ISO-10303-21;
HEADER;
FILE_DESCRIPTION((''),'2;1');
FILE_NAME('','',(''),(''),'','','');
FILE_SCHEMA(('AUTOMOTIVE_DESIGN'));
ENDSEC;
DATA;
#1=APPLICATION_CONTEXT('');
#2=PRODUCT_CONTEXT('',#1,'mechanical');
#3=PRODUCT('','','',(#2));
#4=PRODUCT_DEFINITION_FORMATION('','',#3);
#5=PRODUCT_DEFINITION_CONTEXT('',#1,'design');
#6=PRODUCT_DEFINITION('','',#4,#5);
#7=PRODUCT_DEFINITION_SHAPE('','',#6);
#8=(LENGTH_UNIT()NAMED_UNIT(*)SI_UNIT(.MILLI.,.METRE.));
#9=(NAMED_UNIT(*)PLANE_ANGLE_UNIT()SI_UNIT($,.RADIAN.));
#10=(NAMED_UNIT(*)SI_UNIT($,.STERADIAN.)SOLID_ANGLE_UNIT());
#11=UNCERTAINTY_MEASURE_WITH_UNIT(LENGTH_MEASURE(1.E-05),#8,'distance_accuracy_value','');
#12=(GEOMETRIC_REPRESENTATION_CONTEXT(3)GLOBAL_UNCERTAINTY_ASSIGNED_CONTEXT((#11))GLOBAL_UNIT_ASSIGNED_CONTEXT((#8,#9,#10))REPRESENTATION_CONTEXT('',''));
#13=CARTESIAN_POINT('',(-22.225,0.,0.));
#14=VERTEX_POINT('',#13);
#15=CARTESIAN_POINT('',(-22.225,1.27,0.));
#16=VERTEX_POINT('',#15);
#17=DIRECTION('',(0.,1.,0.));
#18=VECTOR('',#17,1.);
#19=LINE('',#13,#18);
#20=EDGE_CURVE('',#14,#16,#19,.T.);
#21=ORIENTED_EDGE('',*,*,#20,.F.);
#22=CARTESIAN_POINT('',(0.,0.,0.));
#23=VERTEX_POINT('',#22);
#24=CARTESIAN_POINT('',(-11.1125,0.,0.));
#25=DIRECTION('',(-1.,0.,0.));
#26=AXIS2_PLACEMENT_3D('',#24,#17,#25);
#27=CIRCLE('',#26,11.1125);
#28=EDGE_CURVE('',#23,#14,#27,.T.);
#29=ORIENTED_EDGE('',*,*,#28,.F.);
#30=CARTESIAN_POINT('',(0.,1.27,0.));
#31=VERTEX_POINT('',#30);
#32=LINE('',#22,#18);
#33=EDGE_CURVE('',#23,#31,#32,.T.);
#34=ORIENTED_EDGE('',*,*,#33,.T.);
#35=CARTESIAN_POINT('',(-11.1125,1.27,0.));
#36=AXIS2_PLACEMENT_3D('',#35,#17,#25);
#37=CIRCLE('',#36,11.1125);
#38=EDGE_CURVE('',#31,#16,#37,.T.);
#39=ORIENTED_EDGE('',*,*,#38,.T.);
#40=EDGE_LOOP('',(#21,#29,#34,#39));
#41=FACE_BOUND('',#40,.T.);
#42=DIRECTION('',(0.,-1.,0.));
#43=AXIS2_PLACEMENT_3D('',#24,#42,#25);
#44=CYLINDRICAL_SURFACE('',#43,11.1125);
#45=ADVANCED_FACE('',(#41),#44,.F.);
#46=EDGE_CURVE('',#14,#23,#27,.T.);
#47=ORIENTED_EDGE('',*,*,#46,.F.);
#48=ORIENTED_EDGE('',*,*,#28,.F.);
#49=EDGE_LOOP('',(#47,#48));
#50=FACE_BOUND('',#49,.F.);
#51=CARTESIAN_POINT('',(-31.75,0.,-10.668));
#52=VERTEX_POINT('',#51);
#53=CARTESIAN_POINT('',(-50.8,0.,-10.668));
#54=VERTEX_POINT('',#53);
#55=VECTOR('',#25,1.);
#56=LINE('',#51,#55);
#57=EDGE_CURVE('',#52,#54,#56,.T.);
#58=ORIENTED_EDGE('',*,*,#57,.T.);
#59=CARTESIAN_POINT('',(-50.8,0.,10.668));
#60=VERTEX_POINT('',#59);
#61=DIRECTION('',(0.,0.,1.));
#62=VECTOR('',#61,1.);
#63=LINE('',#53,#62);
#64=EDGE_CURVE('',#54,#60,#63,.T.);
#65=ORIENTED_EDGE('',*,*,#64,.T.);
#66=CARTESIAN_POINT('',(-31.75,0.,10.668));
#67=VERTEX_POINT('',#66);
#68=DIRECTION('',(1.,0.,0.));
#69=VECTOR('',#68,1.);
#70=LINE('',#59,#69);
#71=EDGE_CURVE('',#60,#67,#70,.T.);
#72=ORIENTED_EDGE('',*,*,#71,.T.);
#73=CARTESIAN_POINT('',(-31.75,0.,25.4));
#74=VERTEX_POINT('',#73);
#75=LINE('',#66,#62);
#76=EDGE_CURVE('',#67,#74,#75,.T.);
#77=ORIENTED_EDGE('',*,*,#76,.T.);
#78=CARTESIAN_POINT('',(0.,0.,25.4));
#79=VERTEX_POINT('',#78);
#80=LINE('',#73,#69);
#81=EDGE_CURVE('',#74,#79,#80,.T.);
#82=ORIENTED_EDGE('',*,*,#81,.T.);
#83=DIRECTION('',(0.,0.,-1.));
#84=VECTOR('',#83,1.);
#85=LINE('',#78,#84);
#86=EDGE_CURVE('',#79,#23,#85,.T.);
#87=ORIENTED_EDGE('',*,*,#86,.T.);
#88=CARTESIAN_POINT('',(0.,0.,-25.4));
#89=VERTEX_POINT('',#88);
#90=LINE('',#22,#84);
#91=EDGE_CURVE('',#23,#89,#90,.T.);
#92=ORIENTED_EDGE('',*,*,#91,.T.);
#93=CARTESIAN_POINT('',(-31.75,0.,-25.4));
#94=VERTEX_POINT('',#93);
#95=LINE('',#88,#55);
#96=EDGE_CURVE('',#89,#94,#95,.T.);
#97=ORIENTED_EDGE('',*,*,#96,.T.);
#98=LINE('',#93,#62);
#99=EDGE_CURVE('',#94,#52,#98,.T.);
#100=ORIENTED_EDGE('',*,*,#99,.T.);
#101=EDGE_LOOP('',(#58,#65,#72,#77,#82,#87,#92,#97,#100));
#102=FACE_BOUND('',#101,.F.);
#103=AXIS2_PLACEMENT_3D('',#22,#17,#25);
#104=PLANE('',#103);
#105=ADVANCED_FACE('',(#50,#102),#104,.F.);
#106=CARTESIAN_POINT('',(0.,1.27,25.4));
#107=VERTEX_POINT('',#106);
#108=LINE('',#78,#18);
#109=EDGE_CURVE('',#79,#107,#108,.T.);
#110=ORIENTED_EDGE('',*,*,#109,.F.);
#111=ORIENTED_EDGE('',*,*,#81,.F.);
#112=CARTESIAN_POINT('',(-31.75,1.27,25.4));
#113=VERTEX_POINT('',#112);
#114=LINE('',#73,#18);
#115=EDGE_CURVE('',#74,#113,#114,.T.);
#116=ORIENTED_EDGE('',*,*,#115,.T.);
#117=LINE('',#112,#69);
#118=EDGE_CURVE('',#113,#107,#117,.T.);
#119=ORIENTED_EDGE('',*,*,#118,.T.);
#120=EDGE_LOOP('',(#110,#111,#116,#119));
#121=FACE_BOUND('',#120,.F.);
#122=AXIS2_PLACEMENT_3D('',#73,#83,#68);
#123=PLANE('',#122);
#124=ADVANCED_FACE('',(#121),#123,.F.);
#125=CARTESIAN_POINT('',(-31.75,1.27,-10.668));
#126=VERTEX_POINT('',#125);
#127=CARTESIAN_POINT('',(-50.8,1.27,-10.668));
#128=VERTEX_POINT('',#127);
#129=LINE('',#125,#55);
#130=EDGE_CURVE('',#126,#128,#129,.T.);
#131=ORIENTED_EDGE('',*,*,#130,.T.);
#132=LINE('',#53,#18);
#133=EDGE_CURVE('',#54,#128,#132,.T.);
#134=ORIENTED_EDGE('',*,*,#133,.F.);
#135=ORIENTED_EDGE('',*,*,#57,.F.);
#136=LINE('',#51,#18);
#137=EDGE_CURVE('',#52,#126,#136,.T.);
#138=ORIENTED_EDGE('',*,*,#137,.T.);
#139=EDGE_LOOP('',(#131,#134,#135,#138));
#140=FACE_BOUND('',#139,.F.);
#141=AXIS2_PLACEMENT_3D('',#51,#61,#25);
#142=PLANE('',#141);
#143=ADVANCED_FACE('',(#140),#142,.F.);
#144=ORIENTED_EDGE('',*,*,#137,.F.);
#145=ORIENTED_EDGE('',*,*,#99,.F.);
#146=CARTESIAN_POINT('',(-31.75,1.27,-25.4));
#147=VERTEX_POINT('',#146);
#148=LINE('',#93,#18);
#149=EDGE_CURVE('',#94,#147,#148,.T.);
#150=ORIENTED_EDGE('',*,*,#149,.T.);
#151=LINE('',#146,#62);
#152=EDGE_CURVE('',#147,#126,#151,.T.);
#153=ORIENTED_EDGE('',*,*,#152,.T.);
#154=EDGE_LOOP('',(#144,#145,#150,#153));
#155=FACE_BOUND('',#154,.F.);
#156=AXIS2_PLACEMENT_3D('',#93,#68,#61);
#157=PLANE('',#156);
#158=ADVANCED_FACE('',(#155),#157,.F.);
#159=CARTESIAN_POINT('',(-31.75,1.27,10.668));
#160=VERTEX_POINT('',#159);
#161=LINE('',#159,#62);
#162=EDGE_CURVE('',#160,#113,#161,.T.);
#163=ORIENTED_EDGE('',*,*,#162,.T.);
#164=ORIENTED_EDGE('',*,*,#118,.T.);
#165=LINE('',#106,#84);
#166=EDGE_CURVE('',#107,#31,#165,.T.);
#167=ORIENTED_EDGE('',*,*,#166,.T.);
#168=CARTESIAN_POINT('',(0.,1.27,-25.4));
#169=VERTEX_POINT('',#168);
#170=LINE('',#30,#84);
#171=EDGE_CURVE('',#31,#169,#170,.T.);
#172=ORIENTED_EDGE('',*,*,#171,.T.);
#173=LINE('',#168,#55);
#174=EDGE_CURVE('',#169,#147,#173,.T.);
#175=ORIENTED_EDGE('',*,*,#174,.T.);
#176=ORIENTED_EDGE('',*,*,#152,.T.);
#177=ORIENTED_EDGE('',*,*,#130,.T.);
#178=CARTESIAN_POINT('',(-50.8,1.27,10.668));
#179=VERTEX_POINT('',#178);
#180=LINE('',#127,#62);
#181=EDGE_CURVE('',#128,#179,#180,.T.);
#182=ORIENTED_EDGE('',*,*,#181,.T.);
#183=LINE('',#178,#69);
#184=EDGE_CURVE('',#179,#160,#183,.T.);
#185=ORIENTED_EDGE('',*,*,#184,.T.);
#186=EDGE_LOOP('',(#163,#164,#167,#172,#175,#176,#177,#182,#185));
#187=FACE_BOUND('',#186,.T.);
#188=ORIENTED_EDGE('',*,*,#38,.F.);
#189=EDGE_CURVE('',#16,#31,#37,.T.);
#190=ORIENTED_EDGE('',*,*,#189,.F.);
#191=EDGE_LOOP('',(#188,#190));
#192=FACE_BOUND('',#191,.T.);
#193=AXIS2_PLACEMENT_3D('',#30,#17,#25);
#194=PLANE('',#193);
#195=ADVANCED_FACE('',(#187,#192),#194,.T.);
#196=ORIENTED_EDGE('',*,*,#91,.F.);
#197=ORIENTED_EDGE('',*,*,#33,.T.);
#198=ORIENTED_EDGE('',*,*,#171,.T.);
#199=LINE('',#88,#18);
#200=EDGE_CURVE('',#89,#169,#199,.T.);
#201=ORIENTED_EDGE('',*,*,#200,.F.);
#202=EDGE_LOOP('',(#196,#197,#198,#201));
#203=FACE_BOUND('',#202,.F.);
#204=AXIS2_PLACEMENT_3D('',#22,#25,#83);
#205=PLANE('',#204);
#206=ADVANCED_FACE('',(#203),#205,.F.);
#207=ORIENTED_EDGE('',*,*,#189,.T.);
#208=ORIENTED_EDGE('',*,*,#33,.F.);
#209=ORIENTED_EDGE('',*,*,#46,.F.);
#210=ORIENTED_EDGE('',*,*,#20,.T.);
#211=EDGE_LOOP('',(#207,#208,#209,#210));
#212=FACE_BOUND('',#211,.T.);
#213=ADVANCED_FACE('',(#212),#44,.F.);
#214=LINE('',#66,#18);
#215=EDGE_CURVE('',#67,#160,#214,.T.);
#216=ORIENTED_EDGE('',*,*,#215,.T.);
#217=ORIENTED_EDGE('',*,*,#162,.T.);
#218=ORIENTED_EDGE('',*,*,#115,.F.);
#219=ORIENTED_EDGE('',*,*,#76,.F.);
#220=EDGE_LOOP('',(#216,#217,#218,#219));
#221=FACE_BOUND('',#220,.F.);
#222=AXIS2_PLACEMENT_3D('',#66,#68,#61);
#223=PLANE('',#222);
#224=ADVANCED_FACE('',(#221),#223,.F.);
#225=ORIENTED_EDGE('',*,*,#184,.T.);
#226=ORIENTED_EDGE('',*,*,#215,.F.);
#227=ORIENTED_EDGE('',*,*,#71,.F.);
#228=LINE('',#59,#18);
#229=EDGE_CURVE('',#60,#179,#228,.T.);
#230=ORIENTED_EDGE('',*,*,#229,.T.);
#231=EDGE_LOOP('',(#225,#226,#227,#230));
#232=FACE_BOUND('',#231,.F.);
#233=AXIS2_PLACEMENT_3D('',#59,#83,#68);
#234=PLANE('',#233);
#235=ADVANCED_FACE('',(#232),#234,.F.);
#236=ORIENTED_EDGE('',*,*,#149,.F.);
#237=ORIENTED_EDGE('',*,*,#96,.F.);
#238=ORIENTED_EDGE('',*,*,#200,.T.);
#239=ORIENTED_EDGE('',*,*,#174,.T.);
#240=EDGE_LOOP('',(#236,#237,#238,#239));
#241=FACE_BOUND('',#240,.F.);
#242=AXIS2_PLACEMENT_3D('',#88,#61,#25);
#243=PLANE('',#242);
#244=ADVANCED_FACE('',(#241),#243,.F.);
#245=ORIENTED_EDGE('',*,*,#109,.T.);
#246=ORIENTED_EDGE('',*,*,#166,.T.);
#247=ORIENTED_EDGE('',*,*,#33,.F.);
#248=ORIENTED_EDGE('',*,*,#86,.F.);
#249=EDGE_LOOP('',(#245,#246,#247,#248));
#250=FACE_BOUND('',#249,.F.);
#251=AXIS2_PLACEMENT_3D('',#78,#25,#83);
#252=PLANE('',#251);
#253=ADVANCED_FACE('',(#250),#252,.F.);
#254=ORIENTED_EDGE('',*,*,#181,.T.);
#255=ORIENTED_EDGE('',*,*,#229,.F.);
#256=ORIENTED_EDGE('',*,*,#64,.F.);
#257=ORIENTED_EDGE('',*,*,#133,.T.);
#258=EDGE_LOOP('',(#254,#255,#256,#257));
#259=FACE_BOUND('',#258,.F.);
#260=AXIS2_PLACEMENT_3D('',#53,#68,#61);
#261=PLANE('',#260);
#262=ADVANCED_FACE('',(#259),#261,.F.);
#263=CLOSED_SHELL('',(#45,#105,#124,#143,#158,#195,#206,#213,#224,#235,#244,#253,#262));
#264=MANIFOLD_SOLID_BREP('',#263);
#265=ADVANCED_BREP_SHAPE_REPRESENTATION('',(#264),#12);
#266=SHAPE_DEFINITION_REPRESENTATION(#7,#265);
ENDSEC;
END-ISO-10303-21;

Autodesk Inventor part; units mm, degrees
ref_plane "YZ Plane" through (0, 0, 0) normal (1, 0, 0) x (0, 1, 0)
ref_plane "XZ Plane" through (0, 0, 0) normal (0, 1, 0) x (-1, 0, 0)
ref_plane "XY Plane" through (0, 0, 0) normal (0, 0, 1) x (1, 0, 0)
sketch "Sketch1" plane through (0, 0, 0) normal (0, 1, 0) x (-1, 0, 0)
  line L0 (0, 0) -> (0, -25.4)
  line L1 (0, -25.4) -> (31.75, -25.4)
  line L2 (31.75, -25.4) -> (31.75, -10.668)
  line L3 (31.75, -10.668) -> (50.8, -10.668)
  line L4 (50.8, -10.668) -> (50.8, 10.668)
  line L5 (50.8, 10.668) -> (31.75, 10.668)
  line L6 (31.75, 10.668) -> (31.75, 25.4)
  line L7 (31.75, 25.4) -> (0, 25.4)
  line L8 (0, 25.4) -> (0, 0)
  line L9 (0, 0) -> (11.1125, 0)
  circle A0 centre (11.1125, 0) radius 11.1125
  dimension "d0" = 25.4
  dimension "d1" = 31.75
  dimension "d2" = 14.732
  dimension "d3" = 19.05
  dimension "d4" = 21.336
  dimension "d5" = 19.05
  dimension "d6" = 14.732
  dimension "d8" = 11.1125
extrude "Extrusion1" add sketch "Sketch1" along normal blind 1.27
equation "\"d5\" = d3"
equation "\"d6\" = d2"
properties part number "Base"
